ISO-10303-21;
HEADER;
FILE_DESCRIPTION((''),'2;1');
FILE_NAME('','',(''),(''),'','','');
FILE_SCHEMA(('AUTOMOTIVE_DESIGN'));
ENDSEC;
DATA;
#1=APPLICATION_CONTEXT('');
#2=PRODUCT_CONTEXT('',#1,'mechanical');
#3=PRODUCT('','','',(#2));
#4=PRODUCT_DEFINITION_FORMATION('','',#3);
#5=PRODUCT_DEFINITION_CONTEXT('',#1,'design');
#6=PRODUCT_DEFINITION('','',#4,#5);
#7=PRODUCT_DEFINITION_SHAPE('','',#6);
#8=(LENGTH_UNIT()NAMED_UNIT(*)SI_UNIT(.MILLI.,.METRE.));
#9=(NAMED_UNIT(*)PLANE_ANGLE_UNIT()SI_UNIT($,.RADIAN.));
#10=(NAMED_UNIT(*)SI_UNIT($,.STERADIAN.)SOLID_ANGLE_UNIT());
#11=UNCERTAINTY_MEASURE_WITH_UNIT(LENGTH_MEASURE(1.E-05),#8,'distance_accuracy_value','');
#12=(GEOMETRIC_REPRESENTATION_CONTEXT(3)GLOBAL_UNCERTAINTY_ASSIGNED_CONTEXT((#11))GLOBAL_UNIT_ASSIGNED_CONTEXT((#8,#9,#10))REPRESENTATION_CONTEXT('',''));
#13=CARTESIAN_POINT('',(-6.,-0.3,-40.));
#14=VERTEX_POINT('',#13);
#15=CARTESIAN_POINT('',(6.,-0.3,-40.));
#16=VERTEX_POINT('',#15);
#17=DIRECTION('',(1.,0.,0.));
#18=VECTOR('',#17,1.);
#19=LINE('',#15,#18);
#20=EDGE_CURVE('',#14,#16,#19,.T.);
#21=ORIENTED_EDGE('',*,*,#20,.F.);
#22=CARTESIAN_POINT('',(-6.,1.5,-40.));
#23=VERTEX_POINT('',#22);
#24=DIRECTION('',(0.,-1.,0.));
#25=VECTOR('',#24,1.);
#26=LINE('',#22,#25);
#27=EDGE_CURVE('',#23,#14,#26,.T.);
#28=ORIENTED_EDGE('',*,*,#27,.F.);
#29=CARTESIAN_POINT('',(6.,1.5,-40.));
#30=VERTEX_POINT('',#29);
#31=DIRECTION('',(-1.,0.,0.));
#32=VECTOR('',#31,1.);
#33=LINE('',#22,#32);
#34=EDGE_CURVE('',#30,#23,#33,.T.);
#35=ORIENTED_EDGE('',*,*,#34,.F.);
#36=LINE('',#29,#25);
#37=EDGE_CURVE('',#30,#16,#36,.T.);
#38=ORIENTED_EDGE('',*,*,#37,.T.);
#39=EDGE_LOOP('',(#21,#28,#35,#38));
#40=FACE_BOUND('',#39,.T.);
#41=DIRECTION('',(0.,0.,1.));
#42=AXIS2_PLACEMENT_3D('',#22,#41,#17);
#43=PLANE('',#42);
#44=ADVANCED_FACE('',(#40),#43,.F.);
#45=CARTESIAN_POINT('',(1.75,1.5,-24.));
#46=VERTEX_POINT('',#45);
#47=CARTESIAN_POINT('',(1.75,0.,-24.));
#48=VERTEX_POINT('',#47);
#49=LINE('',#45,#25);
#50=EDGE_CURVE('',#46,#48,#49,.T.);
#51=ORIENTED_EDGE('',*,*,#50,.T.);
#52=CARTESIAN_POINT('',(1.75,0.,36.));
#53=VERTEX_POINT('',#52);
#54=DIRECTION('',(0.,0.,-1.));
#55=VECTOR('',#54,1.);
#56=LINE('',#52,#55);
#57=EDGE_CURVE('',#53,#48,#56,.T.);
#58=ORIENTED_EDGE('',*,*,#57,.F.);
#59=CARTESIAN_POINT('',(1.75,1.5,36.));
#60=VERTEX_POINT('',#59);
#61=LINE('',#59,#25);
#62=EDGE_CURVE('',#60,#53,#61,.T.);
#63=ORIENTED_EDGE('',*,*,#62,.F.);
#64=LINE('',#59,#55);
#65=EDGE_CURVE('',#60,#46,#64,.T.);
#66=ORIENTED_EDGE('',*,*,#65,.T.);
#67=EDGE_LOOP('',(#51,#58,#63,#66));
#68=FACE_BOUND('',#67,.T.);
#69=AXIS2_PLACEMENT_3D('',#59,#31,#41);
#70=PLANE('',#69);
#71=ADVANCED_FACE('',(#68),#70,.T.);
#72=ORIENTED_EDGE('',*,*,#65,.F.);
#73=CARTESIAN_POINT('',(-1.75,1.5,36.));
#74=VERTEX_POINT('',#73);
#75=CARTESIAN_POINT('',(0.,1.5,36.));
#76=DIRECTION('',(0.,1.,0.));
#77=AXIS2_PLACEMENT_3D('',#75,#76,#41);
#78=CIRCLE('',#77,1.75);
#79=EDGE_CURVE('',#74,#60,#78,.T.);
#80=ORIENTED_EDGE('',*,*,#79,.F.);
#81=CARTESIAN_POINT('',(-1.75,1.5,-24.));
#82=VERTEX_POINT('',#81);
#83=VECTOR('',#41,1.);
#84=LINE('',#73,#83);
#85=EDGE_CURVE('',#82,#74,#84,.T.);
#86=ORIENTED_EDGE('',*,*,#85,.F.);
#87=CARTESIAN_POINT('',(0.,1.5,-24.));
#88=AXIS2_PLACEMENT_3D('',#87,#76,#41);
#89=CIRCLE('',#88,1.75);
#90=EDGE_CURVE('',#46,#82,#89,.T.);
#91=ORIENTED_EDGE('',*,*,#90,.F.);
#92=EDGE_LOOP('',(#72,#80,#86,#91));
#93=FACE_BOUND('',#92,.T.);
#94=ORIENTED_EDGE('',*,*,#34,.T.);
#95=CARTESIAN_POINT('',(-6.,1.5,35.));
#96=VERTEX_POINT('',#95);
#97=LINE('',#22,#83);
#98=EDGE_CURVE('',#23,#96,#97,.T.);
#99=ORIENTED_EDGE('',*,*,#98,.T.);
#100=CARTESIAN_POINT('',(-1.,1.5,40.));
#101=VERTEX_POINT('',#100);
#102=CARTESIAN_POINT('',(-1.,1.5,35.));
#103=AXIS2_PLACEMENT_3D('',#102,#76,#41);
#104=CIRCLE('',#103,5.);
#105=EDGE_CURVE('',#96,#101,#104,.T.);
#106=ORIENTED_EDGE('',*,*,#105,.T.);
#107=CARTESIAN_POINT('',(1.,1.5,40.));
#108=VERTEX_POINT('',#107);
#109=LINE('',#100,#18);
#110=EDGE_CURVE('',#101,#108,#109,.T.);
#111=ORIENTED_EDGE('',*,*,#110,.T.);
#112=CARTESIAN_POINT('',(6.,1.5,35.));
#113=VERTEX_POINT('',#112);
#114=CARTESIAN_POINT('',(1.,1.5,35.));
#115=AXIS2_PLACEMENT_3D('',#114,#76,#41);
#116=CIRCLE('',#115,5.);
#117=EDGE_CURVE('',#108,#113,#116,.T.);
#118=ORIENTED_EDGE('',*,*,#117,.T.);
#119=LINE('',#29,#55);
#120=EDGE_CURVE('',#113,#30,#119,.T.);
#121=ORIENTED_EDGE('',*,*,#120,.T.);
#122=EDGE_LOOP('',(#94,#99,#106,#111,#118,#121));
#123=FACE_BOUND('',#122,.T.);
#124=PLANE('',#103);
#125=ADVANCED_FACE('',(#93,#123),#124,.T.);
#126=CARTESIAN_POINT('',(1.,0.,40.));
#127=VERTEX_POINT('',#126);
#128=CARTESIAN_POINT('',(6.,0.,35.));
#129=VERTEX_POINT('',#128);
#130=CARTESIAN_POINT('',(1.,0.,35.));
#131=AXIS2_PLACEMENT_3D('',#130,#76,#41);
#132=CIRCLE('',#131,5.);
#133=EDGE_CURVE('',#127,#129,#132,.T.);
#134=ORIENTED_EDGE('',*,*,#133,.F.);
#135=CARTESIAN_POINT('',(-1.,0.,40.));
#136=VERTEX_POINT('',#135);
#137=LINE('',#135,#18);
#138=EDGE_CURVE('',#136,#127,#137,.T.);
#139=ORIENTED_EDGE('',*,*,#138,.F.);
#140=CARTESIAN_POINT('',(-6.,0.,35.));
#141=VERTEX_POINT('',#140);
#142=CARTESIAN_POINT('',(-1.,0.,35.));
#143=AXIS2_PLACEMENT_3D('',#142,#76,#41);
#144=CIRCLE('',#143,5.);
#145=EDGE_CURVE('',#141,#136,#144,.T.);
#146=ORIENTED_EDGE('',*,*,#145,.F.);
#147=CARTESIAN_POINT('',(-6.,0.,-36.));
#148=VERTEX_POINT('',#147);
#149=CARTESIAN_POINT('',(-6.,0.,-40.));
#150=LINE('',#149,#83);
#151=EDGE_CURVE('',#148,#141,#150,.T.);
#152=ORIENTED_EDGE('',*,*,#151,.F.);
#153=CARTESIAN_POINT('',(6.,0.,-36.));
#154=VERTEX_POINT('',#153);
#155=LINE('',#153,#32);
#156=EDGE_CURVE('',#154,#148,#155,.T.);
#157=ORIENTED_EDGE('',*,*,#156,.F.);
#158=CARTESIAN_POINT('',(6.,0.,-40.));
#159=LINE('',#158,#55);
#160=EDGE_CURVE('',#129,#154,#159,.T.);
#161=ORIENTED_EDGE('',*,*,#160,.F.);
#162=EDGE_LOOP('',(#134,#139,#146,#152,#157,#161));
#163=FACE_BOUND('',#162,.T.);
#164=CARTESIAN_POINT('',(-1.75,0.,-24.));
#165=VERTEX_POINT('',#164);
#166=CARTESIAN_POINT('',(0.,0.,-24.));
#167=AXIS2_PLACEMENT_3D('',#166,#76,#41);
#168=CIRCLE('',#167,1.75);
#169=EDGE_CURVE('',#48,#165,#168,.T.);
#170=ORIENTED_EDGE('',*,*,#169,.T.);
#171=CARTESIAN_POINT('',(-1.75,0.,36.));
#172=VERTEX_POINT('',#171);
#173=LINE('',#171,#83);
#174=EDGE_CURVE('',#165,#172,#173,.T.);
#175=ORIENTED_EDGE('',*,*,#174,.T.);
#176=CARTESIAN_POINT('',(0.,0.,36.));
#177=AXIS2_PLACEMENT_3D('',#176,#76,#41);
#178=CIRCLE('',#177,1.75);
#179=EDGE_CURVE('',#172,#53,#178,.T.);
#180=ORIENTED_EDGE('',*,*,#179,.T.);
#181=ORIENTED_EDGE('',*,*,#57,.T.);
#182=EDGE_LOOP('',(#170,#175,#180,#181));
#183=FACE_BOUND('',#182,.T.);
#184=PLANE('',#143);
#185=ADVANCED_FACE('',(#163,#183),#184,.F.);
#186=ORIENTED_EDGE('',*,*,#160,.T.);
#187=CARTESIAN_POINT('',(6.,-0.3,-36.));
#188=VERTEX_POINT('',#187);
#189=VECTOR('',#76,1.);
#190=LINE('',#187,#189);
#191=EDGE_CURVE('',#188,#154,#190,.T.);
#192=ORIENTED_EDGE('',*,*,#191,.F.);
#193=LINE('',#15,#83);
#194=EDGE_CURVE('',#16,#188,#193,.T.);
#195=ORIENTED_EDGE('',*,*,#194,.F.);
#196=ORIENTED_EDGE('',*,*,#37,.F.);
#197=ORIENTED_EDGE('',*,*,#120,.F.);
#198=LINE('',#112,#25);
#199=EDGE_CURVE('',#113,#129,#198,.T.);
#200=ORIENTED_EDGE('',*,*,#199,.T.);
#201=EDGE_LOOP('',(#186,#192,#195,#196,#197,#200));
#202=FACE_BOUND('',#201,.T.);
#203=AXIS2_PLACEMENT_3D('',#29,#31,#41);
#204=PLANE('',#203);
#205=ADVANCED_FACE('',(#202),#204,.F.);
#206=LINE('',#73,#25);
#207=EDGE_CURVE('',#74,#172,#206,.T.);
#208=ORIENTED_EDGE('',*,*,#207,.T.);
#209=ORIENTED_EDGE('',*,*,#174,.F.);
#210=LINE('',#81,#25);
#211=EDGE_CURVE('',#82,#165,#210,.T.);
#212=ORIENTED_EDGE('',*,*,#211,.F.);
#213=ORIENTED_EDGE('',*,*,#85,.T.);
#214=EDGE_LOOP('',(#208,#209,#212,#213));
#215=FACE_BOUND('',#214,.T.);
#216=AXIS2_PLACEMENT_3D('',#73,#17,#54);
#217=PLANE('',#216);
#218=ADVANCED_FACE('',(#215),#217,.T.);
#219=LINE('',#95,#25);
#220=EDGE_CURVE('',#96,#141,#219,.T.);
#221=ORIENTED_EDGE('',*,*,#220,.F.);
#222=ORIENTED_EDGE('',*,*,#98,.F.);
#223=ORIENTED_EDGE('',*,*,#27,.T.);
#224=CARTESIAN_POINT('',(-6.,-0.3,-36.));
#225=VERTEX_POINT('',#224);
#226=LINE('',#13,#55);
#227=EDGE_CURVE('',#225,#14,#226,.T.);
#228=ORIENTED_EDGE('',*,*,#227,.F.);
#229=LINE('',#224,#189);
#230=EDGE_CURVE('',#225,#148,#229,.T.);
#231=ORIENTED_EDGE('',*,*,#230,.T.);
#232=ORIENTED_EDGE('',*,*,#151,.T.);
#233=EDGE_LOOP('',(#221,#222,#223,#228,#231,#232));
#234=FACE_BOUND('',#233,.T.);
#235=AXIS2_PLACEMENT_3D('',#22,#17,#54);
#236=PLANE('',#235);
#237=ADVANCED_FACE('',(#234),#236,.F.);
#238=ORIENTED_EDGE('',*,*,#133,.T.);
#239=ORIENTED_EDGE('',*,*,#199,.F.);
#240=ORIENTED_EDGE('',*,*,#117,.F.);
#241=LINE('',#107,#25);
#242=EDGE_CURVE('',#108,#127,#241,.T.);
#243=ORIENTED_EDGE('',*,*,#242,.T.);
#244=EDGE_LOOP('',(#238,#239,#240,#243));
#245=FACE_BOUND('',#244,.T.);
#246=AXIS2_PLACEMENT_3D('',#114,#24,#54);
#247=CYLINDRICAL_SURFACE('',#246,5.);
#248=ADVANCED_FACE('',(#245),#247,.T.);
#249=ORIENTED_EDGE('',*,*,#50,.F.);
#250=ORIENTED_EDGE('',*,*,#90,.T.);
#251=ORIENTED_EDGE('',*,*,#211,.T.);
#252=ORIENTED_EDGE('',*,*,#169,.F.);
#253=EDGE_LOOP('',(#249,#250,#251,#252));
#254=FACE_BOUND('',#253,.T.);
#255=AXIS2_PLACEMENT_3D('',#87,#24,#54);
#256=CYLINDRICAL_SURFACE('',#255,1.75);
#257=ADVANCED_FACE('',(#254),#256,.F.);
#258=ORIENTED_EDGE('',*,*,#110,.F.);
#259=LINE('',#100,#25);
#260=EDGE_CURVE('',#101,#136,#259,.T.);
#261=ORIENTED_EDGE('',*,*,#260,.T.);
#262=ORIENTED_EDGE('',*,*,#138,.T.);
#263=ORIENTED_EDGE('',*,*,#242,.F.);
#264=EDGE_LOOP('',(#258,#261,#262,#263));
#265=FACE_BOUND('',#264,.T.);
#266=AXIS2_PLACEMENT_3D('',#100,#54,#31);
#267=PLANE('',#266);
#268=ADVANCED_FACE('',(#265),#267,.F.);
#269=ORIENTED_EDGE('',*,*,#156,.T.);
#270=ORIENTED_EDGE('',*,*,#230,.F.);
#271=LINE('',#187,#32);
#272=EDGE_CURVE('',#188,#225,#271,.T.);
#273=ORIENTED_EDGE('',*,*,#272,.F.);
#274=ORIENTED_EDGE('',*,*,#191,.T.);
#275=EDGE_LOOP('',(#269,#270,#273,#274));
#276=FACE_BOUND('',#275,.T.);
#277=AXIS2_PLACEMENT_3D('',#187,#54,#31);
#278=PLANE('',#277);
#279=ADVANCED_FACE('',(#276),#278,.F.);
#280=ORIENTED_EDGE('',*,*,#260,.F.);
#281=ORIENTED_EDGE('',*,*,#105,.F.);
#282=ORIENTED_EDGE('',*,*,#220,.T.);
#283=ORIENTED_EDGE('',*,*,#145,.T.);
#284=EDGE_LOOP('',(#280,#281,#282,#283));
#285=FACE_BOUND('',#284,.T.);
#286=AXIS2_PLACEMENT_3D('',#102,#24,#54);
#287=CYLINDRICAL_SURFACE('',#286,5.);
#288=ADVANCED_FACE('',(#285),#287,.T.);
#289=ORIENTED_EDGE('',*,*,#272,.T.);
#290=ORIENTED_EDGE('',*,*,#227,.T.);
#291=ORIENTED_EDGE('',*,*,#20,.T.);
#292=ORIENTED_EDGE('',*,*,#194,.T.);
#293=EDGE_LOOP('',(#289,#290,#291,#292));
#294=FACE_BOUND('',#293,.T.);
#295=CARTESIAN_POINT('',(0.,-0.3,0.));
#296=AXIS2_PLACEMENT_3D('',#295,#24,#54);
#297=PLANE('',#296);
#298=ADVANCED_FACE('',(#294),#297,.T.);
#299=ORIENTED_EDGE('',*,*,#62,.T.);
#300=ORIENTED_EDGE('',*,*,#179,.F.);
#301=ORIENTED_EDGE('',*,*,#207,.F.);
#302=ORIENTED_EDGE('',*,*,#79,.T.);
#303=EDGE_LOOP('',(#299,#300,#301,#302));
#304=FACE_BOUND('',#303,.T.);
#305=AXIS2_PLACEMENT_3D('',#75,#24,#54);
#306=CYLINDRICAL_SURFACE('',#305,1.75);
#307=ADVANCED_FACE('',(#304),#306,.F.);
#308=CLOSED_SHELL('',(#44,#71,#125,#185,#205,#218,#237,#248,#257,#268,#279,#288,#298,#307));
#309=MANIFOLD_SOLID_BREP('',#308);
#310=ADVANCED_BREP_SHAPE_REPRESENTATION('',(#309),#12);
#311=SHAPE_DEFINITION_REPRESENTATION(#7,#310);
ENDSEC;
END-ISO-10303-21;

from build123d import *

# Parameters (mm, degrees)
EXTRUDE_1_DEPTH = 1.5
SKETCH_2_W      = 12
SKETCH_2_H      = 4
EXTRUDE_2_DEPTH = 0.3


with BuildPart() as part:
    # 草图1 → 凸台-拉伸1 (new body)
    with BuildSketch(Plane(origin=(0, 0, 0), x_dir=(1, 0, 0), z_dir=(0, 1, 0))):
        with BuildLine():
            Line((-6, 40), (6, 40))
            Line((6, 40), (6, -35))
            ThreePointArc((6, -35), (4.535533906, -38.535533906), (1, -40))
            Line((1, -40), (-1, -40))
            ThreePointArc((-1, -40), (-4.535533906, -38.535533906), (-6, -35))
            Line((-6, -35), (-6, 40))
        make_face()
        with BuildLine():
            Line((-1.75, -36), (-1.75, 24))
            ThreePointArc((-1.75, 24), (0, 25.75), (1.75, 24))
            Line((1.75, 24), (1.75, -36))
            ThreePointArc((1.75, -36), (0, -37.75), (-1.75, -36))
        make_face(mode=Mode.SUBTRACT)
    extrude(amount=EXTRUDE_1_DEPTH)

    # 草图2 → 凸台-拉伸2 (add)
    with BuildSketch(Plane.XZ):
        with Locations((0, -38)):
            Rectangle(SKETCH_2_W, SKETCH_2_H)
    extrude(amount=EXTRUDE_2_DEPTH)


solid = part.part
